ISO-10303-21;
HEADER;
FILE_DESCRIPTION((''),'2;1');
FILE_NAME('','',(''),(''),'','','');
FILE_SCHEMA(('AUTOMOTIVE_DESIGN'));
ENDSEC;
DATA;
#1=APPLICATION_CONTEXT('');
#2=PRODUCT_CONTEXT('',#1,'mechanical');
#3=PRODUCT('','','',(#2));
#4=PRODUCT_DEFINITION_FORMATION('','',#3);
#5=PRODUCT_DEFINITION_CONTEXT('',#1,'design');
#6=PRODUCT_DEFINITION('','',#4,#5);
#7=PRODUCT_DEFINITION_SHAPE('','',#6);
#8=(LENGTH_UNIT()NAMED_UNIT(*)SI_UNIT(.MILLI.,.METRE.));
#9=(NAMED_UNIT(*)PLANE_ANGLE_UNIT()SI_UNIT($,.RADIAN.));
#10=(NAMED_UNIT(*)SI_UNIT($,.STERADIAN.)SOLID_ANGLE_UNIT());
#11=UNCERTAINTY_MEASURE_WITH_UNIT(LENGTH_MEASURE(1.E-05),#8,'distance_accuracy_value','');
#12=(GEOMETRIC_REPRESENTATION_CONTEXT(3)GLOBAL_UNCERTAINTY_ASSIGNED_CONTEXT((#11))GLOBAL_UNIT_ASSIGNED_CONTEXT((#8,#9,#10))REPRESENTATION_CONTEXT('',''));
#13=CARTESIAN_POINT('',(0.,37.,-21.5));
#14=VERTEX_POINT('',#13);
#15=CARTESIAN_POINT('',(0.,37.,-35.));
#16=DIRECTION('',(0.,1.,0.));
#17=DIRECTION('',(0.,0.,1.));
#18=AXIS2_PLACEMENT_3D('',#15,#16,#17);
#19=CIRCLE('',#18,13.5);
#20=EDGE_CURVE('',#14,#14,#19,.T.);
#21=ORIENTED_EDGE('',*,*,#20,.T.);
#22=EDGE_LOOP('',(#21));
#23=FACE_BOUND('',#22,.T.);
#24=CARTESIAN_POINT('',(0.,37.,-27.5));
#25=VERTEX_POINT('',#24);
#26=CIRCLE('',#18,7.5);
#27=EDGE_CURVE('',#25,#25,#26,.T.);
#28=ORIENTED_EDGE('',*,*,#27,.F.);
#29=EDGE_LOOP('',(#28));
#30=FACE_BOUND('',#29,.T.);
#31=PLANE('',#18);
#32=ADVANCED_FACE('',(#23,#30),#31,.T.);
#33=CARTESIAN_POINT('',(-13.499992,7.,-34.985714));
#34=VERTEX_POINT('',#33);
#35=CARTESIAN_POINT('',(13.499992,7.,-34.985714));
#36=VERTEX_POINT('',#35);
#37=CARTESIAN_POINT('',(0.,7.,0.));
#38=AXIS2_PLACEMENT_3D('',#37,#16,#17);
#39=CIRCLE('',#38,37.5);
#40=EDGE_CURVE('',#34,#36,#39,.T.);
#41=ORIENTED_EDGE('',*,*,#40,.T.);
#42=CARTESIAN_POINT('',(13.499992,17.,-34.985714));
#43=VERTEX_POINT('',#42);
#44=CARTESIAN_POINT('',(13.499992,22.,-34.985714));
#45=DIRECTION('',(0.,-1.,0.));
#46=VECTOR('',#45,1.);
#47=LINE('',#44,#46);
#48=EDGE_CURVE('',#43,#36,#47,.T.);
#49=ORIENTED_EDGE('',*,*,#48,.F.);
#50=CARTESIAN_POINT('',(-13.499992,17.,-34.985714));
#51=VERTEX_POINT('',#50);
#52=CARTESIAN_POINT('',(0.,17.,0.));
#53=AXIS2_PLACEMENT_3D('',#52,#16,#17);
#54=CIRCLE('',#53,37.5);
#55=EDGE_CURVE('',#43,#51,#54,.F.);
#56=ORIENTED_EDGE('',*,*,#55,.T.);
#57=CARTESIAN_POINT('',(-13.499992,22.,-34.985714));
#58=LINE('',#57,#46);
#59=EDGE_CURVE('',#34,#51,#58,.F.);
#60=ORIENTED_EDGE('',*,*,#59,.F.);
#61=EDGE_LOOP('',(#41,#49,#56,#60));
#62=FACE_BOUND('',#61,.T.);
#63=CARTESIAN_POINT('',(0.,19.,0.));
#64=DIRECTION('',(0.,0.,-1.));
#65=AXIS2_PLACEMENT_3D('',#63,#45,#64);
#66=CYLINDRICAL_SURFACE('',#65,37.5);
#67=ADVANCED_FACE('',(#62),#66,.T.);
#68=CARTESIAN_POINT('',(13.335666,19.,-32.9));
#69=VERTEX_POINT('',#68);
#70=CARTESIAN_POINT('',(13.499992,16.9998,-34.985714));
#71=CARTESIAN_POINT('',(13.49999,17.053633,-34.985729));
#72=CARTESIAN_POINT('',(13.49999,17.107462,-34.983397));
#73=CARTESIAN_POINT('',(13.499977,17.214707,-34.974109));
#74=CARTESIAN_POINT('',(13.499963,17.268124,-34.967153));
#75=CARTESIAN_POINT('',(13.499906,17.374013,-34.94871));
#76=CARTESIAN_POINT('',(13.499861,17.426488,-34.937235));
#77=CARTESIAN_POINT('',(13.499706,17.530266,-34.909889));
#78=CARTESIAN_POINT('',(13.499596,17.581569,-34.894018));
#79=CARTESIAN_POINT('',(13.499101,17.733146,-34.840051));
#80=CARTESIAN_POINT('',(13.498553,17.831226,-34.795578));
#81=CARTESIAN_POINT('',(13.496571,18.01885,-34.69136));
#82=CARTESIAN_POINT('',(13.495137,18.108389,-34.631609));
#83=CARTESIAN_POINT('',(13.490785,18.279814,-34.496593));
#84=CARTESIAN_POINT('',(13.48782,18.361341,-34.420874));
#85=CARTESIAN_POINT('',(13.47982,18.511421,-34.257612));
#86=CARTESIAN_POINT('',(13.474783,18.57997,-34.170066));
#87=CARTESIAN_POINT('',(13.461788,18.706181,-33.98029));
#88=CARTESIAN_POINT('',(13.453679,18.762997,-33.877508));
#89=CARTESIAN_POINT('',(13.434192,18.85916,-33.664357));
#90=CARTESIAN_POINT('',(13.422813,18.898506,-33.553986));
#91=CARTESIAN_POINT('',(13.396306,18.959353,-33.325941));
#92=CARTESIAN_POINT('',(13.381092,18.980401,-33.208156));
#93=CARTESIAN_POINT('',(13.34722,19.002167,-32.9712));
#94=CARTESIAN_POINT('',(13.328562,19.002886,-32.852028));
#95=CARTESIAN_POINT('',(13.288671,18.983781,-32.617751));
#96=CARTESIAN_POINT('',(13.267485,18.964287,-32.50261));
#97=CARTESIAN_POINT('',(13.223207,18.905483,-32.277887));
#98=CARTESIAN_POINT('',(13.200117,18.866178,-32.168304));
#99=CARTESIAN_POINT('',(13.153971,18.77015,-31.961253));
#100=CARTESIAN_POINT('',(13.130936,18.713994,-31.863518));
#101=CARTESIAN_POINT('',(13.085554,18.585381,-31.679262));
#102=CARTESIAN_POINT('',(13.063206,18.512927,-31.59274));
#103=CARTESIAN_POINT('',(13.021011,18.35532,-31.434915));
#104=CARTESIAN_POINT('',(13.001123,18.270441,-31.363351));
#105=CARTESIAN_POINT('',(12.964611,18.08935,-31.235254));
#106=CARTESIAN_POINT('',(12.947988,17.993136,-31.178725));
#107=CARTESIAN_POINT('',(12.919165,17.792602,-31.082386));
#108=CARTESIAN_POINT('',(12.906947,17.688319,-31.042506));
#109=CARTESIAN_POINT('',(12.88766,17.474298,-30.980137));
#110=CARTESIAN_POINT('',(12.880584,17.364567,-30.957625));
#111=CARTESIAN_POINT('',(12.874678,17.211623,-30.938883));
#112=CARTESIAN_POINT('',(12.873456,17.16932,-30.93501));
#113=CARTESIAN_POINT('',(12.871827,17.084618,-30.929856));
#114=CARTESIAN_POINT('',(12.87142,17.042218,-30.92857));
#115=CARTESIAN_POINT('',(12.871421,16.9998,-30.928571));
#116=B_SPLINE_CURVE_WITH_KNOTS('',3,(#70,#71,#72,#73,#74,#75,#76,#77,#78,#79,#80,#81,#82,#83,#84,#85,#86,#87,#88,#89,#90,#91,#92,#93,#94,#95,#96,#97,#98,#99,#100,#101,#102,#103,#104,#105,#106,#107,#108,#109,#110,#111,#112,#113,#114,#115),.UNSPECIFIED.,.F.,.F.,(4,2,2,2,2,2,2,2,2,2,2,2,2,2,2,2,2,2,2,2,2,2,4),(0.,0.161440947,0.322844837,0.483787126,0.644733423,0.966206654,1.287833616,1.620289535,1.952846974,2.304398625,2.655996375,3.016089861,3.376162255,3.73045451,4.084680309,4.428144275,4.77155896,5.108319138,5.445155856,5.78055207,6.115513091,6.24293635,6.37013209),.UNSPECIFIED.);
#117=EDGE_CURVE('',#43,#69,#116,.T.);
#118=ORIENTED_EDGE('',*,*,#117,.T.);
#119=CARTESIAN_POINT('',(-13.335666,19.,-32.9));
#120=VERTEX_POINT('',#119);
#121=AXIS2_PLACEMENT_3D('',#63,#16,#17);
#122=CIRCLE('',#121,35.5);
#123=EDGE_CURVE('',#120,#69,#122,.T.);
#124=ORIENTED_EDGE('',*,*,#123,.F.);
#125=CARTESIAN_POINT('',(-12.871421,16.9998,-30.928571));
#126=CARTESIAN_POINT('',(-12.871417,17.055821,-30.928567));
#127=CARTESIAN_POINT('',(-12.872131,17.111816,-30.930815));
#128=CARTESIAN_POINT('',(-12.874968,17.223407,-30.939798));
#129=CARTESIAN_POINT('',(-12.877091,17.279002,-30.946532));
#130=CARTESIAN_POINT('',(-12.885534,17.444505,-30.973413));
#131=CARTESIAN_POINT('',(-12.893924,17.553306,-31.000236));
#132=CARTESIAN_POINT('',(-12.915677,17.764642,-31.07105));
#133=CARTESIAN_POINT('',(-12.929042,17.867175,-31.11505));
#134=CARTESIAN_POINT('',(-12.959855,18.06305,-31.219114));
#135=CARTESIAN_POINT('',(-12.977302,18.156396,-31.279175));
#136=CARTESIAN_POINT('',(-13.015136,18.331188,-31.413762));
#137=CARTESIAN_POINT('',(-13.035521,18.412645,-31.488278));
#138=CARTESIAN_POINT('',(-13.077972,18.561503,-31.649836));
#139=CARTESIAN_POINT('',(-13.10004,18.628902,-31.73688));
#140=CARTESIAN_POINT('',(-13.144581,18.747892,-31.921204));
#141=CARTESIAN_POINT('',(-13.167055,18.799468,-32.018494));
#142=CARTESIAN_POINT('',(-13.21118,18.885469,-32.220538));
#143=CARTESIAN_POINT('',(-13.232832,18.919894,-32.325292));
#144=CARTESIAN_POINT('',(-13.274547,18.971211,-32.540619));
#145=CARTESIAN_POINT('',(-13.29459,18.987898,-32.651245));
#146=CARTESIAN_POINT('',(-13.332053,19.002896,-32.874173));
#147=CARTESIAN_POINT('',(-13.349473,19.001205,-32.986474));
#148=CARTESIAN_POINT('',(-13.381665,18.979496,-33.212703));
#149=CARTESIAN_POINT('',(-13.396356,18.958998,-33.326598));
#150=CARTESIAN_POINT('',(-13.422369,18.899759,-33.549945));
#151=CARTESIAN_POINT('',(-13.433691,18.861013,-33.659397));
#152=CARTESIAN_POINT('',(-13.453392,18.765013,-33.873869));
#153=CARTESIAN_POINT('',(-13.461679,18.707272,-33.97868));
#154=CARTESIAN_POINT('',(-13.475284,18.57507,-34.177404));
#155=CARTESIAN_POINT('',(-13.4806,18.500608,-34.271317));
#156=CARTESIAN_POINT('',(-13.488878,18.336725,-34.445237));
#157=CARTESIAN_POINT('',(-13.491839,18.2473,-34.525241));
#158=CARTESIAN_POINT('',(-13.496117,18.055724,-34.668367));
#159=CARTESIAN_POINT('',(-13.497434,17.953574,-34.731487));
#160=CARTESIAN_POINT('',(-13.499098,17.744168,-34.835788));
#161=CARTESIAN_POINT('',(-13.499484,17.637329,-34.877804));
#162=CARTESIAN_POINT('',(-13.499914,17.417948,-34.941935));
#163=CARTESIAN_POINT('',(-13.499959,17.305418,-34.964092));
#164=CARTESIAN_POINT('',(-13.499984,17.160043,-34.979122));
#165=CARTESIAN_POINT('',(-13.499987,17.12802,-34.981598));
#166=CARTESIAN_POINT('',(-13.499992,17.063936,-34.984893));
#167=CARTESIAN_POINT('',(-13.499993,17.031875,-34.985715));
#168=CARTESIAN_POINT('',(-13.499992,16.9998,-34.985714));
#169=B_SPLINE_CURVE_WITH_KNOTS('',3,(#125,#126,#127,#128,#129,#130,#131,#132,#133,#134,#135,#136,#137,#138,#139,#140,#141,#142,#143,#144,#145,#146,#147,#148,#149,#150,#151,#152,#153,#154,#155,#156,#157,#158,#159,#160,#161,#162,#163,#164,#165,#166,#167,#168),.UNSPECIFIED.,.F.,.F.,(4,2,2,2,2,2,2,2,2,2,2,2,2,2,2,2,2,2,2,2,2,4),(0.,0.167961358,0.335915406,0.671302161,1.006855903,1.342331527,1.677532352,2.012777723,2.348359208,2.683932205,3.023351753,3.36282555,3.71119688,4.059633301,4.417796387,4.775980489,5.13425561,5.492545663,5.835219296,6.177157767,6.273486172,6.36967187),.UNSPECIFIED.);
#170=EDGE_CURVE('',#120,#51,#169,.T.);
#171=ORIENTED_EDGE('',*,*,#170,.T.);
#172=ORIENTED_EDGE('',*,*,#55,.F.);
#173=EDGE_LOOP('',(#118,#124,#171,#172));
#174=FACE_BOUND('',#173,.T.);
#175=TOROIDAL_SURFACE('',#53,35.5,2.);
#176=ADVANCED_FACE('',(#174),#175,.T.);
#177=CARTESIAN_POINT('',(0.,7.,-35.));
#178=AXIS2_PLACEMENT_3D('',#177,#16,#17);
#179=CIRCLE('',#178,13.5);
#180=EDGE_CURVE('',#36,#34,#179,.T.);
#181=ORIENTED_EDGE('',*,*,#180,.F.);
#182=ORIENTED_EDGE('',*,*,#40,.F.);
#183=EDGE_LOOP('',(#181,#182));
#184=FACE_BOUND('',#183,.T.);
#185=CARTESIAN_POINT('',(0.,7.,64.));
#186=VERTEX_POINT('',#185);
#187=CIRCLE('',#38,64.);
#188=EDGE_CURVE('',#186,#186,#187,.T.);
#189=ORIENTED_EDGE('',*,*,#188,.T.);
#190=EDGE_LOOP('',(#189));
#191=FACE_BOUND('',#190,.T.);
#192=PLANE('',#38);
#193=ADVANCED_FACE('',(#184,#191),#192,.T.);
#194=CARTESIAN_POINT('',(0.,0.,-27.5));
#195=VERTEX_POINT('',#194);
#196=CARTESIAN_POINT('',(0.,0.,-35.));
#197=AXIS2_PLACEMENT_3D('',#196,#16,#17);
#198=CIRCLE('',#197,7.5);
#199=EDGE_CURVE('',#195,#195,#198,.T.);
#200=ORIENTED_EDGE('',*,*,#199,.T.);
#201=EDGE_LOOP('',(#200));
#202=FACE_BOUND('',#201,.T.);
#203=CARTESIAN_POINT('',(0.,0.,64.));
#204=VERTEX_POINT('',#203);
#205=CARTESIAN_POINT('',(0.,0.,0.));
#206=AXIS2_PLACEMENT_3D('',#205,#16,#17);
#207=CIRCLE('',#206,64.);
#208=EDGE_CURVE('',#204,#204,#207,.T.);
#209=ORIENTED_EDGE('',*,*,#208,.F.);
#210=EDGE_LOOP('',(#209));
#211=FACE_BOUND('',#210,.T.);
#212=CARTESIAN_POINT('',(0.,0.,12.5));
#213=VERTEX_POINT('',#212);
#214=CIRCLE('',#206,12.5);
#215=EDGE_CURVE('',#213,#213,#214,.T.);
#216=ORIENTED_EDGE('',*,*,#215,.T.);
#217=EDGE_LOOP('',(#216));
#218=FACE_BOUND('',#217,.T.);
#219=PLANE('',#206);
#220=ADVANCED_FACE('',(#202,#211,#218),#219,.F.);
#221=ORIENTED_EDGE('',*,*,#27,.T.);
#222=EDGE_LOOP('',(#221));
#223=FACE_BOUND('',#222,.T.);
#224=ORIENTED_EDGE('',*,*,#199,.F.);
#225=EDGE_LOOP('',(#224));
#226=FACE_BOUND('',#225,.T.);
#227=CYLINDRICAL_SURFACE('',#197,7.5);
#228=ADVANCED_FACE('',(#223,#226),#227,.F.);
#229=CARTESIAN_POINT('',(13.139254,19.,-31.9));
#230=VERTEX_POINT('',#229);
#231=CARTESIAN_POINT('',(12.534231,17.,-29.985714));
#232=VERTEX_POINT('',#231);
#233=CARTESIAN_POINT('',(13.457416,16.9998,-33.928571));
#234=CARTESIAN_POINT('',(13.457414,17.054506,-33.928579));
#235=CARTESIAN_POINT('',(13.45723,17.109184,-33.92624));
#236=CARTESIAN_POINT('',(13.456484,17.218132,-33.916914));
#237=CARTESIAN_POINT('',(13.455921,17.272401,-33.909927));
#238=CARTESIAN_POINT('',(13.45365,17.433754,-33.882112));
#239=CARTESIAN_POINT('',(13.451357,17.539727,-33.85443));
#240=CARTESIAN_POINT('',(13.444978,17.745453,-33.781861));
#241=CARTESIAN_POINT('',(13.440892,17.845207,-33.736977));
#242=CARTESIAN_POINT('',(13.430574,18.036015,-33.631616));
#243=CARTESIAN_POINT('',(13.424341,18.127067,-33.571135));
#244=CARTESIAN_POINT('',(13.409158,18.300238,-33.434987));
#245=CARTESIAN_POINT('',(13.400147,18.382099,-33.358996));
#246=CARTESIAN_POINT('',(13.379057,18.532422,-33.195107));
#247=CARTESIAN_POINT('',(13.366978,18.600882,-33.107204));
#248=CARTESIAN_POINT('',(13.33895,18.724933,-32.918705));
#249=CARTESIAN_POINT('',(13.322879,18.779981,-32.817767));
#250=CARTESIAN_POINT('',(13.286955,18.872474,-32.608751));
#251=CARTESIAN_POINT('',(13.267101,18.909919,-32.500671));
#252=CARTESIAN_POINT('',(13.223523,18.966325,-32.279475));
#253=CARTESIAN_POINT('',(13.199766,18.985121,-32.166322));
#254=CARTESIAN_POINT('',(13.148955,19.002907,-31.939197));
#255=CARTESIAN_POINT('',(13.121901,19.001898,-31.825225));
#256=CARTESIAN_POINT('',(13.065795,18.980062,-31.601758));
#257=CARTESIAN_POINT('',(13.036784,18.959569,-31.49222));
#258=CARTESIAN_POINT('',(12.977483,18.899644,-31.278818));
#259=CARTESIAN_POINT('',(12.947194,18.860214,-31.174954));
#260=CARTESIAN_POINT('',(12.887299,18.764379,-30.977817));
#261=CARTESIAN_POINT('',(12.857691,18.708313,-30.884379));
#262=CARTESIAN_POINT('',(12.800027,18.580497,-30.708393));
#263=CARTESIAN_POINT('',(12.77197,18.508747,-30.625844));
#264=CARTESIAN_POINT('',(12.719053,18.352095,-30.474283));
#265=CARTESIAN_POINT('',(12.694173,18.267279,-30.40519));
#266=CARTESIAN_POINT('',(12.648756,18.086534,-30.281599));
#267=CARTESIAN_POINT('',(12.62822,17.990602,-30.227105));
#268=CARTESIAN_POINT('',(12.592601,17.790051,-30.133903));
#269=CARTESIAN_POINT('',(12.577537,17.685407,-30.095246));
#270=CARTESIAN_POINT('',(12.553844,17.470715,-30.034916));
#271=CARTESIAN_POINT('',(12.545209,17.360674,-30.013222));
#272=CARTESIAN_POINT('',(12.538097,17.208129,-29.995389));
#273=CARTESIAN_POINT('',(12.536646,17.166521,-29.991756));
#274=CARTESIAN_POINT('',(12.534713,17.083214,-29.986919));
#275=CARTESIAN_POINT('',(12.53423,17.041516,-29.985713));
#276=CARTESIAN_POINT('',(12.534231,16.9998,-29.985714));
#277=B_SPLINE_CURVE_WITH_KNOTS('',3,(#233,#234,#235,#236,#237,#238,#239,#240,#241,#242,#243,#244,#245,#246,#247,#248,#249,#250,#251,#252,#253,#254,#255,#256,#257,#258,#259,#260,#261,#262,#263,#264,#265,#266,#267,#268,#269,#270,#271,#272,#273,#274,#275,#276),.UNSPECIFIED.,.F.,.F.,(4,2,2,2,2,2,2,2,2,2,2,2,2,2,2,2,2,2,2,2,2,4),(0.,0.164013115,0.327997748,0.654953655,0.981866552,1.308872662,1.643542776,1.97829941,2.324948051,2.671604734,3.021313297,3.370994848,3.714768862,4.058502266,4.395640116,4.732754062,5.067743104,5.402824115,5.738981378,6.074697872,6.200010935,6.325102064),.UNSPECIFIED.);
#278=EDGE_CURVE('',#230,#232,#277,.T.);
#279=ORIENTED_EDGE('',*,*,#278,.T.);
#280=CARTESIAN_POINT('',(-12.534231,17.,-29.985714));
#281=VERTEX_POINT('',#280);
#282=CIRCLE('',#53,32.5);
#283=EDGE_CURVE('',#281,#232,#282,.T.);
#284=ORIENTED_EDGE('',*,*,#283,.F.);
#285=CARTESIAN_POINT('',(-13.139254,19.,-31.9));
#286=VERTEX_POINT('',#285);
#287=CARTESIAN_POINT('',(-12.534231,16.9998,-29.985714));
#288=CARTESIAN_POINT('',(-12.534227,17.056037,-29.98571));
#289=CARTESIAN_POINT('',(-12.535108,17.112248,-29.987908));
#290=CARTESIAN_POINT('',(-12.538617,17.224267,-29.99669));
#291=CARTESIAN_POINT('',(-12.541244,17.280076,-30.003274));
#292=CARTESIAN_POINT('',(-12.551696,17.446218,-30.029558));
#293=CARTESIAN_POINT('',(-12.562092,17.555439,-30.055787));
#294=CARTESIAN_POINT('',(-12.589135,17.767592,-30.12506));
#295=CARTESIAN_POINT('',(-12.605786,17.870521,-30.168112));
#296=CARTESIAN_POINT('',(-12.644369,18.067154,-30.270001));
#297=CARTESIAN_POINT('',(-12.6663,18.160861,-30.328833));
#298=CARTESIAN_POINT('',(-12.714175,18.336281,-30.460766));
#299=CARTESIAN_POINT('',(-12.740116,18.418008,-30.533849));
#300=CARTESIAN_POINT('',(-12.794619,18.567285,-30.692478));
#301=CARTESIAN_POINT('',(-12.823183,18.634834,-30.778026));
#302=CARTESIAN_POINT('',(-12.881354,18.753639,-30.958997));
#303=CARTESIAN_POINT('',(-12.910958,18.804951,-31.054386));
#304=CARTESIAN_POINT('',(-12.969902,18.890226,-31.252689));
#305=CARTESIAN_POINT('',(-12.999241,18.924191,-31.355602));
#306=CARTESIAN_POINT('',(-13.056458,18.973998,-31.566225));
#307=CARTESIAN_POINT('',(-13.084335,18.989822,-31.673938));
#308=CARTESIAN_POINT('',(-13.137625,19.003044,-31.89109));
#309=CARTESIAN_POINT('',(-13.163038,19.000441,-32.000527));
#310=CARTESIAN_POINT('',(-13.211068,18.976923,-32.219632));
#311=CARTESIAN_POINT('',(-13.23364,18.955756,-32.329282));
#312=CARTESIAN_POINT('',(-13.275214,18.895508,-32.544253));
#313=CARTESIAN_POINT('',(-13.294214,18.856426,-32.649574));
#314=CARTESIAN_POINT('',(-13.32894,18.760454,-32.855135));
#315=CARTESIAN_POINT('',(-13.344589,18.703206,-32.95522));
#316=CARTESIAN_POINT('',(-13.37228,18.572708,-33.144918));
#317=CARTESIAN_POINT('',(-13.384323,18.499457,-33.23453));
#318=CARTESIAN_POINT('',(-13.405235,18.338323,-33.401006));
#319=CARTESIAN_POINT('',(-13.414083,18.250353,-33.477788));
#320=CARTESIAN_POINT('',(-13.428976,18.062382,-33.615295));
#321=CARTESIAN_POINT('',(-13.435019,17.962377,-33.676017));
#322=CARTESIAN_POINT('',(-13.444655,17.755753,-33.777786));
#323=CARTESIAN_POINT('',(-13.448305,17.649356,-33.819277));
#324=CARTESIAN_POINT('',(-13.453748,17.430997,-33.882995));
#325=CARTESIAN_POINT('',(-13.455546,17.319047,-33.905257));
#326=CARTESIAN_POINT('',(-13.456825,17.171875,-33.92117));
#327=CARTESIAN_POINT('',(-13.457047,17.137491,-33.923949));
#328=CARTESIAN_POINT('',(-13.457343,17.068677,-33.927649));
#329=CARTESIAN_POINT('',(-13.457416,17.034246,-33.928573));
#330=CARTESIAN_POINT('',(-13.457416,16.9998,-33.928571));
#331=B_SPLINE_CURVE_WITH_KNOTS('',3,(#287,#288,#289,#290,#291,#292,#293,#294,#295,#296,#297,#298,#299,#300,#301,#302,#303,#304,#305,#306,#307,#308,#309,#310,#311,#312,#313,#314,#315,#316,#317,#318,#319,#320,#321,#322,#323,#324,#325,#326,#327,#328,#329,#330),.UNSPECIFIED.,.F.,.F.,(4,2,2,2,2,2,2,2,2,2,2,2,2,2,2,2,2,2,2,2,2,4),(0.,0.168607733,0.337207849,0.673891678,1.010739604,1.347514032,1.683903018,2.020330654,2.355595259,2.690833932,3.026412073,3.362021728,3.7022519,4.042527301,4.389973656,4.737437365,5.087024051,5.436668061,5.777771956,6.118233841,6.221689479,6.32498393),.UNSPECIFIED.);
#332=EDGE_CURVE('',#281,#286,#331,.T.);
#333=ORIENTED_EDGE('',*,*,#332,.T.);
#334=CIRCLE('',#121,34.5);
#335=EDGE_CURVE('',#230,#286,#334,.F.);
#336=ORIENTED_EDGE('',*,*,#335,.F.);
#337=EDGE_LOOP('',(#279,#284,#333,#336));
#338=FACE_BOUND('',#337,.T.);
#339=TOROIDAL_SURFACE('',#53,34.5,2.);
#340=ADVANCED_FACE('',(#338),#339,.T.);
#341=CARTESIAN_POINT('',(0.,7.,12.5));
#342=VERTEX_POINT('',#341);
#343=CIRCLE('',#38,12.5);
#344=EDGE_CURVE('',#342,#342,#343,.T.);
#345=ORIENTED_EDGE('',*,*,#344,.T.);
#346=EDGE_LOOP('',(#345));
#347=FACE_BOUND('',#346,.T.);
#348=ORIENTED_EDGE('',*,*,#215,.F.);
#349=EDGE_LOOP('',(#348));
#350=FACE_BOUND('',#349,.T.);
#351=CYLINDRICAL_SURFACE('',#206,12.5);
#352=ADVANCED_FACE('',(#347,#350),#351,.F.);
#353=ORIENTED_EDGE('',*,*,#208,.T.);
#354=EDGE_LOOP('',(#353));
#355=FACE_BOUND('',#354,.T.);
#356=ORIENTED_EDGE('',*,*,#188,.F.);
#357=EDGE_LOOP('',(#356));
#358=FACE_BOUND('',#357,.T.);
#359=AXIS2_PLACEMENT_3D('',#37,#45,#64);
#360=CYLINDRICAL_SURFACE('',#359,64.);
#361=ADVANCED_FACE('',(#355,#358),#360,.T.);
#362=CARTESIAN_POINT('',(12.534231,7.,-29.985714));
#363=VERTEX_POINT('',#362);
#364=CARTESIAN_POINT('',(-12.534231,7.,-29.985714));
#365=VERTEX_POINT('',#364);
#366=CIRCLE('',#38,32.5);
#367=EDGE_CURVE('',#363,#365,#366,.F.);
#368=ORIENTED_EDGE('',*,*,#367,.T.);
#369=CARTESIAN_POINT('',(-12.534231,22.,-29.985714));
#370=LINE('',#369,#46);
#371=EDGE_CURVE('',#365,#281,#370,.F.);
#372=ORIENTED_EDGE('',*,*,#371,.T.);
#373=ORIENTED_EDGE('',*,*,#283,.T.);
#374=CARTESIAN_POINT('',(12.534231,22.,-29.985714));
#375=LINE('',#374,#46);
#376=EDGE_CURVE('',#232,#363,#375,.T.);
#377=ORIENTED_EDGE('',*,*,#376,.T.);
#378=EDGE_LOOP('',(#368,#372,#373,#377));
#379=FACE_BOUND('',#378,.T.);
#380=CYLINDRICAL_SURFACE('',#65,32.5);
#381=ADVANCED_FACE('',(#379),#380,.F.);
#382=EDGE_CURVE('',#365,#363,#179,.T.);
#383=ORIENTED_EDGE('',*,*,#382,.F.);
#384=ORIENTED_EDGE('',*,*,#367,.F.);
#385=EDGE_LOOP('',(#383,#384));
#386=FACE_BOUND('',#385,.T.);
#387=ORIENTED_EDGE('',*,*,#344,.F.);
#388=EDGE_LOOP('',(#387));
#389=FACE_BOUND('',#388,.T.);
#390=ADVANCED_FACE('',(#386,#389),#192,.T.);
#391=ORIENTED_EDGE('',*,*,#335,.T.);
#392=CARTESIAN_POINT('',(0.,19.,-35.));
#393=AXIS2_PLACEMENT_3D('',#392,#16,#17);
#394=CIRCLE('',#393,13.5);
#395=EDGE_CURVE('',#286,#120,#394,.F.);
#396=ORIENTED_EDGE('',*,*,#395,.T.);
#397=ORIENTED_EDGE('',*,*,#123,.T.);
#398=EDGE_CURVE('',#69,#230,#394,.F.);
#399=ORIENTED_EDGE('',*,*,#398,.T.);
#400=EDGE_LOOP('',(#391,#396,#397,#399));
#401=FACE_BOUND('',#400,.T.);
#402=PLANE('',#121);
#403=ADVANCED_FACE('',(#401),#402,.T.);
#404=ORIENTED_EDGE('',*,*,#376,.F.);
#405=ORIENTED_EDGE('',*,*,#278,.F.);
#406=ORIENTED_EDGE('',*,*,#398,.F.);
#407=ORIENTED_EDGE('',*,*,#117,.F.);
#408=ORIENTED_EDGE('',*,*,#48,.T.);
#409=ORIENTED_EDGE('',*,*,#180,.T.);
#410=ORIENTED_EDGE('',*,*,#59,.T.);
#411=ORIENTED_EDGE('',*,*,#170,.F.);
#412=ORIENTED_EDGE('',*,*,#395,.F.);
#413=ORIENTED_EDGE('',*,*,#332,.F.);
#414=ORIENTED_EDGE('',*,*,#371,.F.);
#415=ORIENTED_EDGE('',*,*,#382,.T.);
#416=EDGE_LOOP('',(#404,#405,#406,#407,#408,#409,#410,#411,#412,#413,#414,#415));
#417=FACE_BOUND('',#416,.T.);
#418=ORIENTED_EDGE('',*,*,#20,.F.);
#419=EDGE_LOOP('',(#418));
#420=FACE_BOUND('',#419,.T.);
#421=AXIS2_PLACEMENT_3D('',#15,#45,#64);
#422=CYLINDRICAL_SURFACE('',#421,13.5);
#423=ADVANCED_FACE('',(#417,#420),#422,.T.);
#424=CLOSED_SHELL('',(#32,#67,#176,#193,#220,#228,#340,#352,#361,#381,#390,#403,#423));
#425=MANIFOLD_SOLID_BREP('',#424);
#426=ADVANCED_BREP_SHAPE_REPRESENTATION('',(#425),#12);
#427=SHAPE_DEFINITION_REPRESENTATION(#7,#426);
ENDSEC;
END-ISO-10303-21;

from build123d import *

# Parameters (mm, degrees)
SKETCH2_R           = 64
BOSS_EXTRUDE1_DEPTH = 7
SKETCH3_R           = 37.5
SKETCH3_R_2         = 32.5
BOSS_EXTRUDE2_DEPTH = 12
SKETCH4_R           = 12.5
CUT_EXTRUDE1_DEPTH  = 8
FILLET1_R           = 2
SKETCH5_R           = 13.5
BOSS_EXTRUDE3_DEPTH = 30
SKETCH7_R           = 7.5
CUT_EXTRUDE2_DEPTH  = 38


with BuildPart() as part:
    # Sketch2 → Boss-Extrude1 (new body)
    with BuildSketch(Plane(origin=(0, 0, 0), x_dir=(1, 0, 0), z_dir=(0, 1, 0))):
        Circle(SKETCH2_R)
    extrude(amount=BOSS_EXTRUDE1_DEPTH)

    # Sketch3 → Boss-Extrude2 (add)
    with BuildSketch(Plane(origin=(0, 7, 0), x_dir=(1, 0, 0), z_dir=(0, 1, 0))):
        Circle(SKETCH3_R)
        Circle(SKETCH3_R_2, mode=Mode.SUBTRACT)
    extrude(amount=BOSS_EXTRUDE2_DEPTH)

    # Sketch4 → Cut-Extrude1 (cut, through all)
    with BuildSketch(Plane(origin=(0, 7, 0), x_dir=(1, 0, 0), z_dir=(0, 1, 0))):
        Circle(SKETCH4_R)
    extrude(amount=-CUT_EXTRUDE1_DEPTH, mode=Mode.SUBTRACT)

    # Fillet1
    fillet1_edges = [part.edges().sort_by_distance(p)[0] for p in [
        (-37.5, 19, 0),
        (-32.5, 19, 0),
    ]]
    fillet(fillet1_edges, radius=FILLET1_R)

    # Sketch5 → Boss-Extrude3 (add)
    with BuildSketch(Plane(origin=(0, 7, 0), x_dir=(1, 0, 0), z_dir=(0, 1, 0))):
        with Locations((0, 35)):
            Circle(SKETCH5_R)
    extrude(amount=BOSS_EXTRUDE3_DEPTH)

    # Sketch7 → Cut-Extrude2 (cut, through all)
    with BuildSketch(Plane(origin=(0, 37, 0), x_dir=(1, 0, 0), z_dir=(0, 1, 0))):
        with Locations((0, 35)):
            Circle(SKETCH7_R)
    extrude(amount=-CUT_EXTRUDE2_DEPTH, mode=Mode.SUBTRACT)


solid = part.part
